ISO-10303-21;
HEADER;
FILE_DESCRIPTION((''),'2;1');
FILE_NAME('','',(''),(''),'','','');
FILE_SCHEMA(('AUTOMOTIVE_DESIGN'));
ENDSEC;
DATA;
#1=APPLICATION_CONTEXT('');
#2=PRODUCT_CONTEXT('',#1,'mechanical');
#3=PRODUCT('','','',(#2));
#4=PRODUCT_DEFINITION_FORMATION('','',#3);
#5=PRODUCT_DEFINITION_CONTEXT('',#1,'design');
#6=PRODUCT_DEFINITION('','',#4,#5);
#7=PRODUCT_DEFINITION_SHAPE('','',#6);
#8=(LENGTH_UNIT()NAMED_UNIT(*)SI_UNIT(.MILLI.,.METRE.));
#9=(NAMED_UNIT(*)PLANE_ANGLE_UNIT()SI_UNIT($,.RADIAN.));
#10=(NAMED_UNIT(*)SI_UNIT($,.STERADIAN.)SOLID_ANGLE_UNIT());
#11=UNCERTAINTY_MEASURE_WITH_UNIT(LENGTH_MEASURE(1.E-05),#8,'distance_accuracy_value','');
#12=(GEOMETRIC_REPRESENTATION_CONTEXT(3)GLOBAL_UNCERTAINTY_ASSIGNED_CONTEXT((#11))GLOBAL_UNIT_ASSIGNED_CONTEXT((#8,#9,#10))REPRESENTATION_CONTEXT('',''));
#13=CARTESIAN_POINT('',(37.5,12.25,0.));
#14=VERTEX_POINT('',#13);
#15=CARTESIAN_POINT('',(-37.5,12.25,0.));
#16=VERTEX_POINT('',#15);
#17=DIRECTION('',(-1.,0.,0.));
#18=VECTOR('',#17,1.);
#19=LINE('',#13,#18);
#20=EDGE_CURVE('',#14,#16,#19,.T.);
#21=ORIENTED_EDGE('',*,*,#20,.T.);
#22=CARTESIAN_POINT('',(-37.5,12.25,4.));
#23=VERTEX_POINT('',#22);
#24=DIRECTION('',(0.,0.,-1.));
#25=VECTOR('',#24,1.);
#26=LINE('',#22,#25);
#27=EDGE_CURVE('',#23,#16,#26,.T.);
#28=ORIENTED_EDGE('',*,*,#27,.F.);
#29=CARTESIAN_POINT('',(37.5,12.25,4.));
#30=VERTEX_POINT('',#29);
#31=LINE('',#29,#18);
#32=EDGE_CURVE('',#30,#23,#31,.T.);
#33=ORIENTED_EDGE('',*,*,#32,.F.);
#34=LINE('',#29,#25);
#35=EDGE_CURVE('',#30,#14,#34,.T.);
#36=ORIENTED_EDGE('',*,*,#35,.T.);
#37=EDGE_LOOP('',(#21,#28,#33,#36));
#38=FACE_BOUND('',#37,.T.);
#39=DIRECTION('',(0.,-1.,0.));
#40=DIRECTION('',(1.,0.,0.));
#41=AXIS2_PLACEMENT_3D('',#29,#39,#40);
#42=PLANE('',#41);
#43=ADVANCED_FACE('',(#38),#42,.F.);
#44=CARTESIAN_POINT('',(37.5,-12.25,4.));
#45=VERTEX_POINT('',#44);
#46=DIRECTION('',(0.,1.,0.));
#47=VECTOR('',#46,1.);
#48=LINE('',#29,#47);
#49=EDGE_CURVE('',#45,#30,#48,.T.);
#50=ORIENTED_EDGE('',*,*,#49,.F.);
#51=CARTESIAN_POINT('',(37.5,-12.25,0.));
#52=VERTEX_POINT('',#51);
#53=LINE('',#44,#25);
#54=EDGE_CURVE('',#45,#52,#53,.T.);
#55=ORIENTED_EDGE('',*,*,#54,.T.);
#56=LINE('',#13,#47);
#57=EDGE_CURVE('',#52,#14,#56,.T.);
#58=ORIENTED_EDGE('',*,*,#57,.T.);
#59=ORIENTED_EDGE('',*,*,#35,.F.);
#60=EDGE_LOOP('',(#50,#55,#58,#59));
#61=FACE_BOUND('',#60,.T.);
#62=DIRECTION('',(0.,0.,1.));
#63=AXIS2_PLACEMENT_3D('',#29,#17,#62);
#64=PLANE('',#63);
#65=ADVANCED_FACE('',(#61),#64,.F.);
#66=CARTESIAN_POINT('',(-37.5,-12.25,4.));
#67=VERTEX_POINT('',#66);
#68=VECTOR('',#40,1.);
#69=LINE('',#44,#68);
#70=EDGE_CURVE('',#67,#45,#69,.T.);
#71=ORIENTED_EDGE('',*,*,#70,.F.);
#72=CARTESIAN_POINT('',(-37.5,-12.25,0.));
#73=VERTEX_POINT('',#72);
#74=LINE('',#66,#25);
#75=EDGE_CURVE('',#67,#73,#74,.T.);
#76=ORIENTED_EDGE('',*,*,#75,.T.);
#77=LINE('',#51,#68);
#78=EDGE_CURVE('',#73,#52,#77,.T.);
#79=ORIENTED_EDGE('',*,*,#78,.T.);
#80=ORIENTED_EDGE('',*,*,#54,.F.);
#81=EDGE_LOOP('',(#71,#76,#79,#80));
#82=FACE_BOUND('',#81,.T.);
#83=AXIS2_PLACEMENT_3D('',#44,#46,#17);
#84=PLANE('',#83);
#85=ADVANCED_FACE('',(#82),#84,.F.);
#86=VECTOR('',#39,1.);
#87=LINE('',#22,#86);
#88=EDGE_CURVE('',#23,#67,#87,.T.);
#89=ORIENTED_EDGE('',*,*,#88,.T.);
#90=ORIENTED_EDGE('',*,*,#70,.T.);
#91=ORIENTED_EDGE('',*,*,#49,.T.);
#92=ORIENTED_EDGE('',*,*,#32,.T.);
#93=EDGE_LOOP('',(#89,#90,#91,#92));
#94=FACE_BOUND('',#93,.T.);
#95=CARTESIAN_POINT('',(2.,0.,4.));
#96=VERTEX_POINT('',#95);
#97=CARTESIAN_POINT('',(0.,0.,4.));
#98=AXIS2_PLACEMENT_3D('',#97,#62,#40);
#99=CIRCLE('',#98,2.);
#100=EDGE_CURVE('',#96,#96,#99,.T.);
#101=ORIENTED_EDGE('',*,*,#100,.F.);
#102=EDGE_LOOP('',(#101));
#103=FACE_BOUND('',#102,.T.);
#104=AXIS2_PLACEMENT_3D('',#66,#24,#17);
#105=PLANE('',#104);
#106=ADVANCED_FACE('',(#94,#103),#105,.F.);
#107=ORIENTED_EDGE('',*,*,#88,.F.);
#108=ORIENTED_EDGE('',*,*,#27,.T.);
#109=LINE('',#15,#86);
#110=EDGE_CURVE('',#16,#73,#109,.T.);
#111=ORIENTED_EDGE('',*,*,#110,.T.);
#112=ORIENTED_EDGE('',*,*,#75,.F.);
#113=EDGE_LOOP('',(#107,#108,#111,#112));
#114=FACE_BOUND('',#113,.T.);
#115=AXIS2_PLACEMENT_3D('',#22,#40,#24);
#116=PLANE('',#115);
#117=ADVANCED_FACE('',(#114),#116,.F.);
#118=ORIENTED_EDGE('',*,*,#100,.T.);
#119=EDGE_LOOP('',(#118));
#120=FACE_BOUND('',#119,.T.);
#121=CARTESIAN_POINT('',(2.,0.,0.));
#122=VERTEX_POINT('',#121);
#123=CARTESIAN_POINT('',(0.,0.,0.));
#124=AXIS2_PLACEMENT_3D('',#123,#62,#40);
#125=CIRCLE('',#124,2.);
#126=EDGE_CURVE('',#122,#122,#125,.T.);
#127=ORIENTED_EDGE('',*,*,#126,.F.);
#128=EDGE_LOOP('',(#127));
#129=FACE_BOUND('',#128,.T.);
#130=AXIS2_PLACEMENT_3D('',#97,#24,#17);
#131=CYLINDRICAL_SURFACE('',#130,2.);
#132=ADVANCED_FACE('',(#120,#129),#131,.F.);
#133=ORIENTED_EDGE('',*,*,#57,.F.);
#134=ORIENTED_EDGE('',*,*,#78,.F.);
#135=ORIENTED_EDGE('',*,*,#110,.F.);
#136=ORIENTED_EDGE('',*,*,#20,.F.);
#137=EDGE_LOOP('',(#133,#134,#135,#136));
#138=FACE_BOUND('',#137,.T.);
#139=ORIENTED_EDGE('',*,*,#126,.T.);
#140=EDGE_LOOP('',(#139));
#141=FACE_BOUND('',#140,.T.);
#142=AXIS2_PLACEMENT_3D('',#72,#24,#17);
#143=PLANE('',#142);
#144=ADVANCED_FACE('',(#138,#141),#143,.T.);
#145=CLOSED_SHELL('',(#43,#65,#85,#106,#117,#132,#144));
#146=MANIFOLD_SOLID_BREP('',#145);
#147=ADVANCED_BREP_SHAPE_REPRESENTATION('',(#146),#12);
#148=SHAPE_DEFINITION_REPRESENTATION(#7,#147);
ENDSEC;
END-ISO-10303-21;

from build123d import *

# Parameters (mm, degrees)
CROQUIS1_W              = 75
CROQUIS1_H              = 24.5
CROQUIS1_R              = 2
SALIENTE_EXTRUIR1_DEPTH = 4


with BuildPart() as part:
    # Croquis1 → Saliente-Extruir1 (new body)
    with BuildSketch(Plane.XY):
        Rectangle(CROQUIS1_W, CROQUIS1_H)
        Circle(CROQUIS1_R, mode=Mode.SUBTRACT)
    extrude(amount=SALIENTE_EXTRUIR1_DEPTH)


solid = part.part
